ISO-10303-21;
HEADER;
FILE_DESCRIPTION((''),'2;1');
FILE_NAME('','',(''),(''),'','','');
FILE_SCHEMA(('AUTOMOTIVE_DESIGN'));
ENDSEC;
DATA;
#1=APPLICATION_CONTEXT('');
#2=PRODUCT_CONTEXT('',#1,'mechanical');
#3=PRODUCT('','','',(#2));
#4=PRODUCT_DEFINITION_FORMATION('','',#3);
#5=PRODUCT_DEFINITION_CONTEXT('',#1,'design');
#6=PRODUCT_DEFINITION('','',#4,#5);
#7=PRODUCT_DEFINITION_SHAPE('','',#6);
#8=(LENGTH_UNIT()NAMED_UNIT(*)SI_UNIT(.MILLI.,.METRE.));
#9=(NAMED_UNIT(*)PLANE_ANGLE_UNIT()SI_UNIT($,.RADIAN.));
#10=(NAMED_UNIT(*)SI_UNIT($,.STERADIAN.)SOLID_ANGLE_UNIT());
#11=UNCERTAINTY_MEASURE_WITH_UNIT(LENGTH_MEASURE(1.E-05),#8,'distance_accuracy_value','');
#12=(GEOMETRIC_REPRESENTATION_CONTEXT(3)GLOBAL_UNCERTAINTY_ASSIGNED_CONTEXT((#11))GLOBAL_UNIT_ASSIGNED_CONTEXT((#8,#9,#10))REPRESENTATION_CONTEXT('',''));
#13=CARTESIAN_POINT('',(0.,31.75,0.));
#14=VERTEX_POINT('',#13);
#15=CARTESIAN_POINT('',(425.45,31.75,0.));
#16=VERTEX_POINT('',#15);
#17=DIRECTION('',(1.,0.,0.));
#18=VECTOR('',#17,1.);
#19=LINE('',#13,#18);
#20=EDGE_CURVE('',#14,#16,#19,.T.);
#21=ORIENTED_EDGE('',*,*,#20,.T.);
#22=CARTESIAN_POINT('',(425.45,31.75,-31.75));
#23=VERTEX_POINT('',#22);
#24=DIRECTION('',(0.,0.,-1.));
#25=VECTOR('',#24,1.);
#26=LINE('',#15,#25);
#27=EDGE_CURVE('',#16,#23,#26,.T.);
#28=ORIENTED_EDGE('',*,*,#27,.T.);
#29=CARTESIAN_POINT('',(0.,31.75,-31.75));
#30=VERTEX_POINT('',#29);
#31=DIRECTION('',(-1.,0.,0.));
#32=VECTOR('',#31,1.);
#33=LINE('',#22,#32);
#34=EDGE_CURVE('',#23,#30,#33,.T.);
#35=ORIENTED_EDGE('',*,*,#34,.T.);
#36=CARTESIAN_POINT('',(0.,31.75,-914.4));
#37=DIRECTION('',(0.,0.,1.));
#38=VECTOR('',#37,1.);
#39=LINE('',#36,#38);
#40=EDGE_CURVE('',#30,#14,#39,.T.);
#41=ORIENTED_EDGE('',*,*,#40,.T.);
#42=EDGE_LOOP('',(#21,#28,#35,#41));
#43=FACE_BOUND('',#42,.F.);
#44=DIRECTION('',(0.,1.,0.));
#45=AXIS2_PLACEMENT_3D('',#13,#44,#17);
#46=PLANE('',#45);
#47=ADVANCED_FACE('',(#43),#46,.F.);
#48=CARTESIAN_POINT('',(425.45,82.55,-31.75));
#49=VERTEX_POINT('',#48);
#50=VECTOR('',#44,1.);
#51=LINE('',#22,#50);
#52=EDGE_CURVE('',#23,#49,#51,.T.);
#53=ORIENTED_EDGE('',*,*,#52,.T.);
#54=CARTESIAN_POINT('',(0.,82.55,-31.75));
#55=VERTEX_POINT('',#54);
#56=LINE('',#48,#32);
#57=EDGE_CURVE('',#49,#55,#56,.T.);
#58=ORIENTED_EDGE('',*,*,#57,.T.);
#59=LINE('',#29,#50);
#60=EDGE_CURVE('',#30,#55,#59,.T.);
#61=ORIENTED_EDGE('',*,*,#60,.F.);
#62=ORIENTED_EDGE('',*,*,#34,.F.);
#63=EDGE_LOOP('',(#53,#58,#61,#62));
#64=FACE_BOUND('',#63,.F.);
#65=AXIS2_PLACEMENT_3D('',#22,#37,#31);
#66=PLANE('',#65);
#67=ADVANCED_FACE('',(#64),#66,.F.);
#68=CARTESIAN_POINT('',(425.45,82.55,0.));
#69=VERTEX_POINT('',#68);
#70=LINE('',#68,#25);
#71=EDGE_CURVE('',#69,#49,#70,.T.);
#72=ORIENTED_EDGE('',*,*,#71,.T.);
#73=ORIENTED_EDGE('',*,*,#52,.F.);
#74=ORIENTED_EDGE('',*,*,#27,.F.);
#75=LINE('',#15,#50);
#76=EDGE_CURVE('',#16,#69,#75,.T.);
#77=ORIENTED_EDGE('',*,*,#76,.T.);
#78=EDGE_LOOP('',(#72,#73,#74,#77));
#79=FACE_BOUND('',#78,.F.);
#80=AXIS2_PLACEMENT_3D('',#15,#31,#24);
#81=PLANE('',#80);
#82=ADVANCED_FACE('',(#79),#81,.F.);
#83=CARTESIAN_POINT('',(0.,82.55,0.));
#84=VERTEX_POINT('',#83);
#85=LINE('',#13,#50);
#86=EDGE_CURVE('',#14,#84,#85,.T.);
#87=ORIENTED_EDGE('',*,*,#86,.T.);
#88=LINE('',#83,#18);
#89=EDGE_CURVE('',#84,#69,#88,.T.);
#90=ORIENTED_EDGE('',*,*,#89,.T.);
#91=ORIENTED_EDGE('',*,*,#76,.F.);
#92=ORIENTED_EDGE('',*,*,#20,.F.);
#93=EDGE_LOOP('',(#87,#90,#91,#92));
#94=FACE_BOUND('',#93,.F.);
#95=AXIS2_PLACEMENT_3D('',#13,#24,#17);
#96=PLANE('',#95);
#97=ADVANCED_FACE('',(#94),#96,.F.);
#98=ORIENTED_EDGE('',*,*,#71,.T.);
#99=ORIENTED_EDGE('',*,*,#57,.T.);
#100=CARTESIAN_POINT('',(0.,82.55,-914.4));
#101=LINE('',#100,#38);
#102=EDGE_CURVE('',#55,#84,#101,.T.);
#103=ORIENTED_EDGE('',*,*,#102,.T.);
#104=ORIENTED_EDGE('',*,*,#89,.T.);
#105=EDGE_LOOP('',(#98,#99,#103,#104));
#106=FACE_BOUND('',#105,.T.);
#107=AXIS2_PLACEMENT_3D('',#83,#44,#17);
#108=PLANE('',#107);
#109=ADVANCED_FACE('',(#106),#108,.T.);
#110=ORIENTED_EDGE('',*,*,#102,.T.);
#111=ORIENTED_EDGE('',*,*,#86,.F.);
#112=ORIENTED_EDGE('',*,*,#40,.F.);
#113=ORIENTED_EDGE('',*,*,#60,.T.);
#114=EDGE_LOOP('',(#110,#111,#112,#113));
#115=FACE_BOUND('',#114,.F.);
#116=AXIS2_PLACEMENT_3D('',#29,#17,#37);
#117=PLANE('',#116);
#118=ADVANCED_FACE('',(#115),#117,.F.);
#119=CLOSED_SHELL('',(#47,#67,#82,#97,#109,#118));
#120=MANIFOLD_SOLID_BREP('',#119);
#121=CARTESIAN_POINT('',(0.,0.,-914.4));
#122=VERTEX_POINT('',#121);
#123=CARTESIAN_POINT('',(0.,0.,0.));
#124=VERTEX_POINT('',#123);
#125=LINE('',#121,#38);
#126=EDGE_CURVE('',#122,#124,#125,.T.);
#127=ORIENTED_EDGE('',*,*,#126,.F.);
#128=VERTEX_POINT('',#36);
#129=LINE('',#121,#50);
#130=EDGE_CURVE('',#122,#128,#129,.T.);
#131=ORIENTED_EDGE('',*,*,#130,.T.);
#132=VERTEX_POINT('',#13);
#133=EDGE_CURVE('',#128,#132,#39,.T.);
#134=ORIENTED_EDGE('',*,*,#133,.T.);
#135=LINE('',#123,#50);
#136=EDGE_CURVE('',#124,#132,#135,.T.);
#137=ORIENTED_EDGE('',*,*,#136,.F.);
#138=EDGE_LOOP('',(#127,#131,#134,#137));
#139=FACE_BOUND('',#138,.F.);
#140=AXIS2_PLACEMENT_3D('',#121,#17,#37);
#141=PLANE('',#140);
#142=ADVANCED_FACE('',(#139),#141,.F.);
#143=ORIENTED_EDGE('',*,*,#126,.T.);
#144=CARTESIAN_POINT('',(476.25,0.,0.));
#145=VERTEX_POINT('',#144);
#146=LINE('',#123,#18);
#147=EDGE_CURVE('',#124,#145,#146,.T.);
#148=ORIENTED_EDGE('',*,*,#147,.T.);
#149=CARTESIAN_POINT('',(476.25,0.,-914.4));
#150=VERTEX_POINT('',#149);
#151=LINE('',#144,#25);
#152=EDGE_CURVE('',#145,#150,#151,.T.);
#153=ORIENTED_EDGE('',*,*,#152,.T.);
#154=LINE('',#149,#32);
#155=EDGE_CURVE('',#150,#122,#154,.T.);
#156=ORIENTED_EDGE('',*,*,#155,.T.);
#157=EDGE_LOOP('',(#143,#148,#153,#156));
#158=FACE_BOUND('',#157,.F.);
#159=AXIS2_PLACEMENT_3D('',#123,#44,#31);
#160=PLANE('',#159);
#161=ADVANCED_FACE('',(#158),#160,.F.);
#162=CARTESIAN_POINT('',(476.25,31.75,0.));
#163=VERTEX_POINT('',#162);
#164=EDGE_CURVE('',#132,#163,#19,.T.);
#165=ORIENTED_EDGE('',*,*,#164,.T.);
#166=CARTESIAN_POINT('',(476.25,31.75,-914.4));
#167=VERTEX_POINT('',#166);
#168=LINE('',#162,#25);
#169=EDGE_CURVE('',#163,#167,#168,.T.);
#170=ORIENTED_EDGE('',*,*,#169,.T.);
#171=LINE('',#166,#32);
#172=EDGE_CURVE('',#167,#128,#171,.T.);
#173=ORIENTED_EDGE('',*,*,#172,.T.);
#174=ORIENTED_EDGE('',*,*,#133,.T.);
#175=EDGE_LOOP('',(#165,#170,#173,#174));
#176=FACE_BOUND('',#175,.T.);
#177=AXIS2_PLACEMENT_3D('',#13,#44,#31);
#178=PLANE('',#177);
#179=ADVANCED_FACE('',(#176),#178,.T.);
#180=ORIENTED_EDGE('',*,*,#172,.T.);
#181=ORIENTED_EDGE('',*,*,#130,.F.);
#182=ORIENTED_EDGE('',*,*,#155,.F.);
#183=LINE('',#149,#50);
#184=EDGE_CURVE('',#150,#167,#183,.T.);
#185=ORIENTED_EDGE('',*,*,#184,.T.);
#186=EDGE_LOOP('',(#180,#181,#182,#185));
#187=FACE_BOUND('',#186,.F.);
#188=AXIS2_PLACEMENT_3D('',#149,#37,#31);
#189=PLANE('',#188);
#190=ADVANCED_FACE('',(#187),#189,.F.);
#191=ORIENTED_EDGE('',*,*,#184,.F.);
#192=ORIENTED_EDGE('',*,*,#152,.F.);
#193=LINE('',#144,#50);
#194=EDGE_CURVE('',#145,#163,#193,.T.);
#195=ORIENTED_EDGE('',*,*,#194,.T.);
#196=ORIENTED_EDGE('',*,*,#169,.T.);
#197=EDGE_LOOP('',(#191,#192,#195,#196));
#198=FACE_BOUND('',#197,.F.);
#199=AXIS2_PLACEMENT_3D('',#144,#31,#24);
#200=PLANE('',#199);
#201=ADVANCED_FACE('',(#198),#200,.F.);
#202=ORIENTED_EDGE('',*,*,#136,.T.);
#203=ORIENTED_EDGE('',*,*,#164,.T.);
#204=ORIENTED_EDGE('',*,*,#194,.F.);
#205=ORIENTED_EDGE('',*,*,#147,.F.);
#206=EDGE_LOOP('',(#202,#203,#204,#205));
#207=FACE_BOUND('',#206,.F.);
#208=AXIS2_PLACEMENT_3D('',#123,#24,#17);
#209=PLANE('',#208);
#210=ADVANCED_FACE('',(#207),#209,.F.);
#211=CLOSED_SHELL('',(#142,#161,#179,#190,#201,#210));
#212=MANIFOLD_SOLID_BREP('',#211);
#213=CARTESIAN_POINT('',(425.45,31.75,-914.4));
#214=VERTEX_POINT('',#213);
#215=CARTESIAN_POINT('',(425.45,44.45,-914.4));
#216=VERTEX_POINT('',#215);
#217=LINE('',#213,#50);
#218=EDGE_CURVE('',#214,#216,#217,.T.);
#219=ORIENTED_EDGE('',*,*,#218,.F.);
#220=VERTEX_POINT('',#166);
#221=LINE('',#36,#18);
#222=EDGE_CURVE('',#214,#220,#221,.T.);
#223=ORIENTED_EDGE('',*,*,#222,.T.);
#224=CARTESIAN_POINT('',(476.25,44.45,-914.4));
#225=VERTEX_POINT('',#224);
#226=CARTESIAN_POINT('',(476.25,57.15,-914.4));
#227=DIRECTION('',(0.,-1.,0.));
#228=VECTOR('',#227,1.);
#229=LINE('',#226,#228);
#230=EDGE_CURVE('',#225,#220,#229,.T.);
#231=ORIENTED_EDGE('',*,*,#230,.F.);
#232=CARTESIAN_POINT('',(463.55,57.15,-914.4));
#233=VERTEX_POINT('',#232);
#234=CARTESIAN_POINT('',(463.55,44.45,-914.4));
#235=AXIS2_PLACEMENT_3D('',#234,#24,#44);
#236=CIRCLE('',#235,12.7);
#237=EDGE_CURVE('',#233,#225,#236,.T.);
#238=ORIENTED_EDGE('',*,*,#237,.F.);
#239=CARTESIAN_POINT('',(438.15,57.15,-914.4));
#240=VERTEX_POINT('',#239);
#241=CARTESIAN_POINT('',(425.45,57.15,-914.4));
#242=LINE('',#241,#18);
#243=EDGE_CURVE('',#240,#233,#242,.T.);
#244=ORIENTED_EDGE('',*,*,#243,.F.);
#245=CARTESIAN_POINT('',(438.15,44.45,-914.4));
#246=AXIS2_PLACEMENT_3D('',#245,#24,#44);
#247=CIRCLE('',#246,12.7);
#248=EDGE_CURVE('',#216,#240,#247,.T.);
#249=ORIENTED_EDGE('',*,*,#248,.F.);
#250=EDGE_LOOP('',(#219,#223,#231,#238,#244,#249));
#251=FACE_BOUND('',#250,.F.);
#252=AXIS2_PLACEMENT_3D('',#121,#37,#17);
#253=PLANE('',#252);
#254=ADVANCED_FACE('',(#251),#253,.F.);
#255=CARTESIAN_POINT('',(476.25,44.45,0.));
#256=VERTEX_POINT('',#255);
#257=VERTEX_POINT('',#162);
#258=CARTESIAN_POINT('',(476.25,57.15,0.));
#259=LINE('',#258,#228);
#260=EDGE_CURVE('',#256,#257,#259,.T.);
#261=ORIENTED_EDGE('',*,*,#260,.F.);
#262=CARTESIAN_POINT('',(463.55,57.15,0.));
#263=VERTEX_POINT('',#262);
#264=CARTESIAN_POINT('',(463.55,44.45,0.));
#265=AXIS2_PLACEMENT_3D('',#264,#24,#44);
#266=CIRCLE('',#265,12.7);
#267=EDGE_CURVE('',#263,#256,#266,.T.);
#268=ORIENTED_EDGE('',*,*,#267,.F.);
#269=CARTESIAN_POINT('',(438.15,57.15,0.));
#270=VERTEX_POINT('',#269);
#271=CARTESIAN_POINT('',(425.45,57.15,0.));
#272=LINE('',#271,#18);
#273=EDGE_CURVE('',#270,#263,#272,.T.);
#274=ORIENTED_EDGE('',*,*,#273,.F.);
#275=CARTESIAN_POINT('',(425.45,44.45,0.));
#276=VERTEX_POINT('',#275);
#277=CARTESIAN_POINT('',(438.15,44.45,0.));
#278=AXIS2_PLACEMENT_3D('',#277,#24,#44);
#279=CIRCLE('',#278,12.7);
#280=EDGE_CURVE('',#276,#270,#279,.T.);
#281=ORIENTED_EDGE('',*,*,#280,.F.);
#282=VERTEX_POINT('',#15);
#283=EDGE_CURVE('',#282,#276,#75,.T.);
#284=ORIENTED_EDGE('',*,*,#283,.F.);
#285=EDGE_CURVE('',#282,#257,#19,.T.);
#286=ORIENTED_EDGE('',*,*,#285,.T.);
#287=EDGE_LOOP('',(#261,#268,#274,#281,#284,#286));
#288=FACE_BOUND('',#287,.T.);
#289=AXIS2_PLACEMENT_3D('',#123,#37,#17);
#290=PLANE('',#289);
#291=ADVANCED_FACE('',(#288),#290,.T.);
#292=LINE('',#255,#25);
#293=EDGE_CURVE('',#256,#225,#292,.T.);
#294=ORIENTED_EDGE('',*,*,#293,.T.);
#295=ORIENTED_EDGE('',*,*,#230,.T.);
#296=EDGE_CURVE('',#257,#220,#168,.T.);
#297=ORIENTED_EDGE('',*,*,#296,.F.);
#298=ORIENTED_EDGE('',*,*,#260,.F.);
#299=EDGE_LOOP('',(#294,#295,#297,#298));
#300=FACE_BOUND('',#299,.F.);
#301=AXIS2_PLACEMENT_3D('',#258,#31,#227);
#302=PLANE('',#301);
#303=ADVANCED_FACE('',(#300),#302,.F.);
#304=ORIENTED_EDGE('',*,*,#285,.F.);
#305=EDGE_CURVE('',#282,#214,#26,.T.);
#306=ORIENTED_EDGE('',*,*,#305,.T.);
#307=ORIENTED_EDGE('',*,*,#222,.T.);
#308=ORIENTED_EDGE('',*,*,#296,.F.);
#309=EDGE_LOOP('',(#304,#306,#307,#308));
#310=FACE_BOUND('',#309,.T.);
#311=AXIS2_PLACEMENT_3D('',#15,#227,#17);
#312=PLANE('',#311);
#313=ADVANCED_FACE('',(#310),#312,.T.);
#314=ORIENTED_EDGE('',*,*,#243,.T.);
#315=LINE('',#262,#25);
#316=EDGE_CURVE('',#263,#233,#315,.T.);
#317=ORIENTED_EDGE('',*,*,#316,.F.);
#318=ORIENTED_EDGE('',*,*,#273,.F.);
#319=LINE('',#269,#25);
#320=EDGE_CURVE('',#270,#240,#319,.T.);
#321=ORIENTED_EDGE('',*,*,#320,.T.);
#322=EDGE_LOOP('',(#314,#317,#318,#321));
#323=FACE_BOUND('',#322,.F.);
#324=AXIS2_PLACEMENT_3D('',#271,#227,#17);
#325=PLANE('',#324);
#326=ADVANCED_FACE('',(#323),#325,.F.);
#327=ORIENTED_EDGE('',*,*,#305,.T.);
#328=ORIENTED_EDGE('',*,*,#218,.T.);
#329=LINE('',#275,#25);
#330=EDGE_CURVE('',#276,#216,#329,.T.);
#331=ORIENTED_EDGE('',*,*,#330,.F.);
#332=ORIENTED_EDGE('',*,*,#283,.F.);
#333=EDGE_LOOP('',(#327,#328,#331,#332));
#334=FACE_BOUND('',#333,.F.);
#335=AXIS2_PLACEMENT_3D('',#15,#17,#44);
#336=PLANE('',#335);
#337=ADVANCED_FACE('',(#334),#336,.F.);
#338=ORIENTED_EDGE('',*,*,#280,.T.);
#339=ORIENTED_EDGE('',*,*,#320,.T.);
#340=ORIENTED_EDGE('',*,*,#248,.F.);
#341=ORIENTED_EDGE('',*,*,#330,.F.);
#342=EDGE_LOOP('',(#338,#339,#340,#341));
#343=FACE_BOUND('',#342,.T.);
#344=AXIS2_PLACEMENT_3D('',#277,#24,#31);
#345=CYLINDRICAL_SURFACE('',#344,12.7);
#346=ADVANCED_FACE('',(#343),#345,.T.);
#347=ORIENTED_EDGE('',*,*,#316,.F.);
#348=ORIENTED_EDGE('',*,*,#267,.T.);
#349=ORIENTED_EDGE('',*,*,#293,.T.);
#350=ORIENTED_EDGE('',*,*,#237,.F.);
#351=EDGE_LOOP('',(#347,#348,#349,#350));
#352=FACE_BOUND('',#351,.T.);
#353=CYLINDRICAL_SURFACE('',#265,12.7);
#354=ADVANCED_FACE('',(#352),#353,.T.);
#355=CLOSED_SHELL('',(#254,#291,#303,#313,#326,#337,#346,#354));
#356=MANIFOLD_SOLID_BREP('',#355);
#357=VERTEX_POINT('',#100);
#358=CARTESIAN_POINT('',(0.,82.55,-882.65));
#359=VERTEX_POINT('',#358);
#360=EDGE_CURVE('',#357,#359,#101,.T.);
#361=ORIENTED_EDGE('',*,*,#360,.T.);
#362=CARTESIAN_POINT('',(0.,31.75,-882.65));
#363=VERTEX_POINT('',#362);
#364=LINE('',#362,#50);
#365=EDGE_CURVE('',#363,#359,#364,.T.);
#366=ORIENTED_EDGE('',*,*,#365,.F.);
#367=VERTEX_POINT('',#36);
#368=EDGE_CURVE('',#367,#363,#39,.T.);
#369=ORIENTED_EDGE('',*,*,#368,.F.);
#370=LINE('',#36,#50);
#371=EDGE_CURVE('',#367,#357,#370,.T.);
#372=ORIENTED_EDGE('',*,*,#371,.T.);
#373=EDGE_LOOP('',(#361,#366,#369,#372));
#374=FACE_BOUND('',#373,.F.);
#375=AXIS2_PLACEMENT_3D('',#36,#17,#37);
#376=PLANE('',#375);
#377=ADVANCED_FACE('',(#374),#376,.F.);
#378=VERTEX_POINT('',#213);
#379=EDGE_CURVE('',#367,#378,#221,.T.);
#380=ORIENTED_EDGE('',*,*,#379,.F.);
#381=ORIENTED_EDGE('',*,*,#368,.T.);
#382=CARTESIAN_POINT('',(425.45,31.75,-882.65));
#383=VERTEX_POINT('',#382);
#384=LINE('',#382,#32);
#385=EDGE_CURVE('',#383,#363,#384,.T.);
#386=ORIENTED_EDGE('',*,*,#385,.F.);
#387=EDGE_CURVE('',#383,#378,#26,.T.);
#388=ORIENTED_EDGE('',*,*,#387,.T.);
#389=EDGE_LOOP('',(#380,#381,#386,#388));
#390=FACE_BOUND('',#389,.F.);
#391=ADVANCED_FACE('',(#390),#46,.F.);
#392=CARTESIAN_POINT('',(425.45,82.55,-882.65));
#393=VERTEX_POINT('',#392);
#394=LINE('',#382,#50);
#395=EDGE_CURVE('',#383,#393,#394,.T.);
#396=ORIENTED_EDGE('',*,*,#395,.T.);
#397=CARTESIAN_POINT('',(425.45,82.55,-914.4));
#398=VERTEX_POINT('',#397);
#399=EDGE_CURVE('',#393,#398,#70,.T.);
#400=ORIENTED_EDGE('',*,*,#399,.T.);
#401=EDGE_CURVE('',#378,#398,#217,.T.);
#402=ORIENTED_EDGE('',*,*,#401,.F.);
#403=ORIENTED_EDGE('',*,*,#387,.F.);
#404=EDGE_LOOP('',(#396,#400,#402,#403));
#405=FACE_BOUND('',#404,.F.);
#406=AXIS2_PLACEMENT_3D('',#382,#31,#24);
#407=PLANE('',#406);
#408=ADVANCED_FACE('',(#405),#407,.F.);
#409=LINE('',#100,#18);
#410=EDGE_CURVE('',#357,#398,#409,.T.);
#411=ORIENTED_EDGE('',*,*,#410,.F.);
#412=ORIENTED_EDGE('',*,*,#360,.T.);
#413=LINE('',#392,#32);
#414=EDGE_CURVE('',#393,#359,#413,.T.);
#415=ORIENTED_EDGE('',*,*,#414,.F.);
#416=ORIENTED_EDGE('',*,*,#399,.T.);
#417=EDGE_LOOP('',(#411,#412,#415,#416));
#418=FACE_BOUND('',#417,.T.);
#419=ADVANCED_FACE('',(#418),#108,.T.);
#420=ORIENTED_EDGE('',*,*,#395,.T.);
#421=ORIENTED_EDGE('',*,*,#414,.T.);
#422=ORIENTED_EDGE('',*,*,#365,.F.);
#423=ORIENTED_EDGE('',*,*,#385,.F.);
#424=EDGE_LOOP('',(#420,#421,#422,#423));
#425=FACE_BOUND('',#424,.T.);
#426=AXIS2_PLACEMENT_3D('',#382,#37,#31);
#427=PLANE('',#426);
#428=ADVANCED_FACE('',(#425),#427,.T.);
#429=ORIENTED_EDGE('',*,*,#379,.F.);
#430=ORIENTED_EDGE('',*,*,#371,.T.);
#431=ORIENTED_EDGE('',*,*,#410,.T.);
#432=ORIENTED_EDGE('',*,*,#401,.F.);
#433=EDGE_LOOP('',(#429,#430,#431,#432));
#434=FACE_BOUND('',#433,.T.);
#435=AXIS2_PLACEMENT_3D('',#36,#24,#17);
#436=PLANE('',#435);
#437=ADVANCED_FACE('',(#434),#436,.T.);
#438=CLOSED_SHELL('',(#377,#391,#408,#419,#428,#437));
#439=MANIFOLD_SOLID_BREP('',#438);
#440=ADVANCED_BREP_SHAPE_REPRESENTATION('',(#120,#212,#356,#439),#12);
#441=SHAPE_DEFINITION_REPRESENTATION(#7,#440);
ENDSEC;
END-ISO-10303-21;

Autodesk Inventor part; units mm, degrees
ref_plane "YZ Plane" through (0, 0, 0) normal (1, 0, 0) x (0, 1, 0)
ref_plane "XZ Plane" through (0, 0, 0) normal (0, 1, 0) x (-1, 0, 0)
ref_plane "XY Plane" through (0, 0, 0) normal (0, 0, 1) x (1, 0, 0)
sketch "Sketch1" plane through (0, 0, 0) normal (0, 1, 0) x (-1, 0, 0)
  line L0 (0, 0) -> (-476.25, 0)
  line L1 (-476.25, 0) -> (-476.25, -914.4)
  line L2 (-476.25, -914.4) -> (0, -914.4)
  line L3 (0, -914.4) -> (0, 0)
  dimension "d0" = 476.25
  dimension "d1" = 914.4
extrude "Extrusion1" add sketch "Sketch1" along normal blind 31.75
sketch "Sketch2" plane through (0, 0, 0) normal (0, 0, 1) x (1, 0, 0)
  line L0 (0, 31.75) -> (476.25, 31.75) projected
  line L1 (476.25, 0) -> (476.25, 31.75) projected
  line L2 (0, 0) -> (476.25, 0) projected
  line L3 (476.25, 0) -> (476.25, 31.75) projected
  line L4 (0, 31.75) -> (476.25, 31.75) projected
  line L5 (0, 0) -> (0, 31.75) projected
  line L6 (476.25, 31.75) -> (0, 31.75) projected
  line L7 (476.25, 31.75) -> (425.45, 31.75)
  line L8 (425.45, 31.75) -> (425.45, 57.15)
  line L9 (425.45, 57.15) -> (476.25, 57.15)
  line L10 (476.25, 57.15) -> (476.25, 31.75)
  dimension "d4" = 50.8
  dimension "d5" = 25.4
extrude "Extrusion2" add sketch "Sketch2" against normal up to surface (914.4 mm away) separate body contours L8 L9 L10 L0
fillet "Fillet1" radius 12.7 2 edges at (476.25, 57.15, -457.2) (425.45, 57.15, -457.2)
sketch "Sketch3" plane through (0, 31.75, 0) normal (0, 1, 0) x (1, 0, 0)
  line L0 (0, 914.4) -> (0, 0) projected
  line L1 (425.45, 0) -> (425.45, 914.4) projected
  line L2 (0, 0) -> (425.45, 0)
  line L3 (425.45, 0) -> (425.45, 31.75)
  line L4 (425.45, 31.75) -> (0, 31.75)
  line L5 (0, 31.75) -> (0, 0)
  line L6 (0, 914.4) -> (425.45, 914.4)
  line L7 (425.45, 914.4) -> (425.45, 882.65)
  line L8 (425.45, 882.65) -> (0, 882.65)
  line L9 (0, 882.65) -> (0, 914.4)
  point P0 (0, 31.75)
  dimension "d9" = 31.75
  dimension "d10" = 31.75
extrude "Extrusion3" add sketch "Sketch3" along normal blind 50.8 separate body contours L6 L1 L8 L0 | L4 L1 L2 L0
properties part number "Drawer" material "Wood (Birch)"
